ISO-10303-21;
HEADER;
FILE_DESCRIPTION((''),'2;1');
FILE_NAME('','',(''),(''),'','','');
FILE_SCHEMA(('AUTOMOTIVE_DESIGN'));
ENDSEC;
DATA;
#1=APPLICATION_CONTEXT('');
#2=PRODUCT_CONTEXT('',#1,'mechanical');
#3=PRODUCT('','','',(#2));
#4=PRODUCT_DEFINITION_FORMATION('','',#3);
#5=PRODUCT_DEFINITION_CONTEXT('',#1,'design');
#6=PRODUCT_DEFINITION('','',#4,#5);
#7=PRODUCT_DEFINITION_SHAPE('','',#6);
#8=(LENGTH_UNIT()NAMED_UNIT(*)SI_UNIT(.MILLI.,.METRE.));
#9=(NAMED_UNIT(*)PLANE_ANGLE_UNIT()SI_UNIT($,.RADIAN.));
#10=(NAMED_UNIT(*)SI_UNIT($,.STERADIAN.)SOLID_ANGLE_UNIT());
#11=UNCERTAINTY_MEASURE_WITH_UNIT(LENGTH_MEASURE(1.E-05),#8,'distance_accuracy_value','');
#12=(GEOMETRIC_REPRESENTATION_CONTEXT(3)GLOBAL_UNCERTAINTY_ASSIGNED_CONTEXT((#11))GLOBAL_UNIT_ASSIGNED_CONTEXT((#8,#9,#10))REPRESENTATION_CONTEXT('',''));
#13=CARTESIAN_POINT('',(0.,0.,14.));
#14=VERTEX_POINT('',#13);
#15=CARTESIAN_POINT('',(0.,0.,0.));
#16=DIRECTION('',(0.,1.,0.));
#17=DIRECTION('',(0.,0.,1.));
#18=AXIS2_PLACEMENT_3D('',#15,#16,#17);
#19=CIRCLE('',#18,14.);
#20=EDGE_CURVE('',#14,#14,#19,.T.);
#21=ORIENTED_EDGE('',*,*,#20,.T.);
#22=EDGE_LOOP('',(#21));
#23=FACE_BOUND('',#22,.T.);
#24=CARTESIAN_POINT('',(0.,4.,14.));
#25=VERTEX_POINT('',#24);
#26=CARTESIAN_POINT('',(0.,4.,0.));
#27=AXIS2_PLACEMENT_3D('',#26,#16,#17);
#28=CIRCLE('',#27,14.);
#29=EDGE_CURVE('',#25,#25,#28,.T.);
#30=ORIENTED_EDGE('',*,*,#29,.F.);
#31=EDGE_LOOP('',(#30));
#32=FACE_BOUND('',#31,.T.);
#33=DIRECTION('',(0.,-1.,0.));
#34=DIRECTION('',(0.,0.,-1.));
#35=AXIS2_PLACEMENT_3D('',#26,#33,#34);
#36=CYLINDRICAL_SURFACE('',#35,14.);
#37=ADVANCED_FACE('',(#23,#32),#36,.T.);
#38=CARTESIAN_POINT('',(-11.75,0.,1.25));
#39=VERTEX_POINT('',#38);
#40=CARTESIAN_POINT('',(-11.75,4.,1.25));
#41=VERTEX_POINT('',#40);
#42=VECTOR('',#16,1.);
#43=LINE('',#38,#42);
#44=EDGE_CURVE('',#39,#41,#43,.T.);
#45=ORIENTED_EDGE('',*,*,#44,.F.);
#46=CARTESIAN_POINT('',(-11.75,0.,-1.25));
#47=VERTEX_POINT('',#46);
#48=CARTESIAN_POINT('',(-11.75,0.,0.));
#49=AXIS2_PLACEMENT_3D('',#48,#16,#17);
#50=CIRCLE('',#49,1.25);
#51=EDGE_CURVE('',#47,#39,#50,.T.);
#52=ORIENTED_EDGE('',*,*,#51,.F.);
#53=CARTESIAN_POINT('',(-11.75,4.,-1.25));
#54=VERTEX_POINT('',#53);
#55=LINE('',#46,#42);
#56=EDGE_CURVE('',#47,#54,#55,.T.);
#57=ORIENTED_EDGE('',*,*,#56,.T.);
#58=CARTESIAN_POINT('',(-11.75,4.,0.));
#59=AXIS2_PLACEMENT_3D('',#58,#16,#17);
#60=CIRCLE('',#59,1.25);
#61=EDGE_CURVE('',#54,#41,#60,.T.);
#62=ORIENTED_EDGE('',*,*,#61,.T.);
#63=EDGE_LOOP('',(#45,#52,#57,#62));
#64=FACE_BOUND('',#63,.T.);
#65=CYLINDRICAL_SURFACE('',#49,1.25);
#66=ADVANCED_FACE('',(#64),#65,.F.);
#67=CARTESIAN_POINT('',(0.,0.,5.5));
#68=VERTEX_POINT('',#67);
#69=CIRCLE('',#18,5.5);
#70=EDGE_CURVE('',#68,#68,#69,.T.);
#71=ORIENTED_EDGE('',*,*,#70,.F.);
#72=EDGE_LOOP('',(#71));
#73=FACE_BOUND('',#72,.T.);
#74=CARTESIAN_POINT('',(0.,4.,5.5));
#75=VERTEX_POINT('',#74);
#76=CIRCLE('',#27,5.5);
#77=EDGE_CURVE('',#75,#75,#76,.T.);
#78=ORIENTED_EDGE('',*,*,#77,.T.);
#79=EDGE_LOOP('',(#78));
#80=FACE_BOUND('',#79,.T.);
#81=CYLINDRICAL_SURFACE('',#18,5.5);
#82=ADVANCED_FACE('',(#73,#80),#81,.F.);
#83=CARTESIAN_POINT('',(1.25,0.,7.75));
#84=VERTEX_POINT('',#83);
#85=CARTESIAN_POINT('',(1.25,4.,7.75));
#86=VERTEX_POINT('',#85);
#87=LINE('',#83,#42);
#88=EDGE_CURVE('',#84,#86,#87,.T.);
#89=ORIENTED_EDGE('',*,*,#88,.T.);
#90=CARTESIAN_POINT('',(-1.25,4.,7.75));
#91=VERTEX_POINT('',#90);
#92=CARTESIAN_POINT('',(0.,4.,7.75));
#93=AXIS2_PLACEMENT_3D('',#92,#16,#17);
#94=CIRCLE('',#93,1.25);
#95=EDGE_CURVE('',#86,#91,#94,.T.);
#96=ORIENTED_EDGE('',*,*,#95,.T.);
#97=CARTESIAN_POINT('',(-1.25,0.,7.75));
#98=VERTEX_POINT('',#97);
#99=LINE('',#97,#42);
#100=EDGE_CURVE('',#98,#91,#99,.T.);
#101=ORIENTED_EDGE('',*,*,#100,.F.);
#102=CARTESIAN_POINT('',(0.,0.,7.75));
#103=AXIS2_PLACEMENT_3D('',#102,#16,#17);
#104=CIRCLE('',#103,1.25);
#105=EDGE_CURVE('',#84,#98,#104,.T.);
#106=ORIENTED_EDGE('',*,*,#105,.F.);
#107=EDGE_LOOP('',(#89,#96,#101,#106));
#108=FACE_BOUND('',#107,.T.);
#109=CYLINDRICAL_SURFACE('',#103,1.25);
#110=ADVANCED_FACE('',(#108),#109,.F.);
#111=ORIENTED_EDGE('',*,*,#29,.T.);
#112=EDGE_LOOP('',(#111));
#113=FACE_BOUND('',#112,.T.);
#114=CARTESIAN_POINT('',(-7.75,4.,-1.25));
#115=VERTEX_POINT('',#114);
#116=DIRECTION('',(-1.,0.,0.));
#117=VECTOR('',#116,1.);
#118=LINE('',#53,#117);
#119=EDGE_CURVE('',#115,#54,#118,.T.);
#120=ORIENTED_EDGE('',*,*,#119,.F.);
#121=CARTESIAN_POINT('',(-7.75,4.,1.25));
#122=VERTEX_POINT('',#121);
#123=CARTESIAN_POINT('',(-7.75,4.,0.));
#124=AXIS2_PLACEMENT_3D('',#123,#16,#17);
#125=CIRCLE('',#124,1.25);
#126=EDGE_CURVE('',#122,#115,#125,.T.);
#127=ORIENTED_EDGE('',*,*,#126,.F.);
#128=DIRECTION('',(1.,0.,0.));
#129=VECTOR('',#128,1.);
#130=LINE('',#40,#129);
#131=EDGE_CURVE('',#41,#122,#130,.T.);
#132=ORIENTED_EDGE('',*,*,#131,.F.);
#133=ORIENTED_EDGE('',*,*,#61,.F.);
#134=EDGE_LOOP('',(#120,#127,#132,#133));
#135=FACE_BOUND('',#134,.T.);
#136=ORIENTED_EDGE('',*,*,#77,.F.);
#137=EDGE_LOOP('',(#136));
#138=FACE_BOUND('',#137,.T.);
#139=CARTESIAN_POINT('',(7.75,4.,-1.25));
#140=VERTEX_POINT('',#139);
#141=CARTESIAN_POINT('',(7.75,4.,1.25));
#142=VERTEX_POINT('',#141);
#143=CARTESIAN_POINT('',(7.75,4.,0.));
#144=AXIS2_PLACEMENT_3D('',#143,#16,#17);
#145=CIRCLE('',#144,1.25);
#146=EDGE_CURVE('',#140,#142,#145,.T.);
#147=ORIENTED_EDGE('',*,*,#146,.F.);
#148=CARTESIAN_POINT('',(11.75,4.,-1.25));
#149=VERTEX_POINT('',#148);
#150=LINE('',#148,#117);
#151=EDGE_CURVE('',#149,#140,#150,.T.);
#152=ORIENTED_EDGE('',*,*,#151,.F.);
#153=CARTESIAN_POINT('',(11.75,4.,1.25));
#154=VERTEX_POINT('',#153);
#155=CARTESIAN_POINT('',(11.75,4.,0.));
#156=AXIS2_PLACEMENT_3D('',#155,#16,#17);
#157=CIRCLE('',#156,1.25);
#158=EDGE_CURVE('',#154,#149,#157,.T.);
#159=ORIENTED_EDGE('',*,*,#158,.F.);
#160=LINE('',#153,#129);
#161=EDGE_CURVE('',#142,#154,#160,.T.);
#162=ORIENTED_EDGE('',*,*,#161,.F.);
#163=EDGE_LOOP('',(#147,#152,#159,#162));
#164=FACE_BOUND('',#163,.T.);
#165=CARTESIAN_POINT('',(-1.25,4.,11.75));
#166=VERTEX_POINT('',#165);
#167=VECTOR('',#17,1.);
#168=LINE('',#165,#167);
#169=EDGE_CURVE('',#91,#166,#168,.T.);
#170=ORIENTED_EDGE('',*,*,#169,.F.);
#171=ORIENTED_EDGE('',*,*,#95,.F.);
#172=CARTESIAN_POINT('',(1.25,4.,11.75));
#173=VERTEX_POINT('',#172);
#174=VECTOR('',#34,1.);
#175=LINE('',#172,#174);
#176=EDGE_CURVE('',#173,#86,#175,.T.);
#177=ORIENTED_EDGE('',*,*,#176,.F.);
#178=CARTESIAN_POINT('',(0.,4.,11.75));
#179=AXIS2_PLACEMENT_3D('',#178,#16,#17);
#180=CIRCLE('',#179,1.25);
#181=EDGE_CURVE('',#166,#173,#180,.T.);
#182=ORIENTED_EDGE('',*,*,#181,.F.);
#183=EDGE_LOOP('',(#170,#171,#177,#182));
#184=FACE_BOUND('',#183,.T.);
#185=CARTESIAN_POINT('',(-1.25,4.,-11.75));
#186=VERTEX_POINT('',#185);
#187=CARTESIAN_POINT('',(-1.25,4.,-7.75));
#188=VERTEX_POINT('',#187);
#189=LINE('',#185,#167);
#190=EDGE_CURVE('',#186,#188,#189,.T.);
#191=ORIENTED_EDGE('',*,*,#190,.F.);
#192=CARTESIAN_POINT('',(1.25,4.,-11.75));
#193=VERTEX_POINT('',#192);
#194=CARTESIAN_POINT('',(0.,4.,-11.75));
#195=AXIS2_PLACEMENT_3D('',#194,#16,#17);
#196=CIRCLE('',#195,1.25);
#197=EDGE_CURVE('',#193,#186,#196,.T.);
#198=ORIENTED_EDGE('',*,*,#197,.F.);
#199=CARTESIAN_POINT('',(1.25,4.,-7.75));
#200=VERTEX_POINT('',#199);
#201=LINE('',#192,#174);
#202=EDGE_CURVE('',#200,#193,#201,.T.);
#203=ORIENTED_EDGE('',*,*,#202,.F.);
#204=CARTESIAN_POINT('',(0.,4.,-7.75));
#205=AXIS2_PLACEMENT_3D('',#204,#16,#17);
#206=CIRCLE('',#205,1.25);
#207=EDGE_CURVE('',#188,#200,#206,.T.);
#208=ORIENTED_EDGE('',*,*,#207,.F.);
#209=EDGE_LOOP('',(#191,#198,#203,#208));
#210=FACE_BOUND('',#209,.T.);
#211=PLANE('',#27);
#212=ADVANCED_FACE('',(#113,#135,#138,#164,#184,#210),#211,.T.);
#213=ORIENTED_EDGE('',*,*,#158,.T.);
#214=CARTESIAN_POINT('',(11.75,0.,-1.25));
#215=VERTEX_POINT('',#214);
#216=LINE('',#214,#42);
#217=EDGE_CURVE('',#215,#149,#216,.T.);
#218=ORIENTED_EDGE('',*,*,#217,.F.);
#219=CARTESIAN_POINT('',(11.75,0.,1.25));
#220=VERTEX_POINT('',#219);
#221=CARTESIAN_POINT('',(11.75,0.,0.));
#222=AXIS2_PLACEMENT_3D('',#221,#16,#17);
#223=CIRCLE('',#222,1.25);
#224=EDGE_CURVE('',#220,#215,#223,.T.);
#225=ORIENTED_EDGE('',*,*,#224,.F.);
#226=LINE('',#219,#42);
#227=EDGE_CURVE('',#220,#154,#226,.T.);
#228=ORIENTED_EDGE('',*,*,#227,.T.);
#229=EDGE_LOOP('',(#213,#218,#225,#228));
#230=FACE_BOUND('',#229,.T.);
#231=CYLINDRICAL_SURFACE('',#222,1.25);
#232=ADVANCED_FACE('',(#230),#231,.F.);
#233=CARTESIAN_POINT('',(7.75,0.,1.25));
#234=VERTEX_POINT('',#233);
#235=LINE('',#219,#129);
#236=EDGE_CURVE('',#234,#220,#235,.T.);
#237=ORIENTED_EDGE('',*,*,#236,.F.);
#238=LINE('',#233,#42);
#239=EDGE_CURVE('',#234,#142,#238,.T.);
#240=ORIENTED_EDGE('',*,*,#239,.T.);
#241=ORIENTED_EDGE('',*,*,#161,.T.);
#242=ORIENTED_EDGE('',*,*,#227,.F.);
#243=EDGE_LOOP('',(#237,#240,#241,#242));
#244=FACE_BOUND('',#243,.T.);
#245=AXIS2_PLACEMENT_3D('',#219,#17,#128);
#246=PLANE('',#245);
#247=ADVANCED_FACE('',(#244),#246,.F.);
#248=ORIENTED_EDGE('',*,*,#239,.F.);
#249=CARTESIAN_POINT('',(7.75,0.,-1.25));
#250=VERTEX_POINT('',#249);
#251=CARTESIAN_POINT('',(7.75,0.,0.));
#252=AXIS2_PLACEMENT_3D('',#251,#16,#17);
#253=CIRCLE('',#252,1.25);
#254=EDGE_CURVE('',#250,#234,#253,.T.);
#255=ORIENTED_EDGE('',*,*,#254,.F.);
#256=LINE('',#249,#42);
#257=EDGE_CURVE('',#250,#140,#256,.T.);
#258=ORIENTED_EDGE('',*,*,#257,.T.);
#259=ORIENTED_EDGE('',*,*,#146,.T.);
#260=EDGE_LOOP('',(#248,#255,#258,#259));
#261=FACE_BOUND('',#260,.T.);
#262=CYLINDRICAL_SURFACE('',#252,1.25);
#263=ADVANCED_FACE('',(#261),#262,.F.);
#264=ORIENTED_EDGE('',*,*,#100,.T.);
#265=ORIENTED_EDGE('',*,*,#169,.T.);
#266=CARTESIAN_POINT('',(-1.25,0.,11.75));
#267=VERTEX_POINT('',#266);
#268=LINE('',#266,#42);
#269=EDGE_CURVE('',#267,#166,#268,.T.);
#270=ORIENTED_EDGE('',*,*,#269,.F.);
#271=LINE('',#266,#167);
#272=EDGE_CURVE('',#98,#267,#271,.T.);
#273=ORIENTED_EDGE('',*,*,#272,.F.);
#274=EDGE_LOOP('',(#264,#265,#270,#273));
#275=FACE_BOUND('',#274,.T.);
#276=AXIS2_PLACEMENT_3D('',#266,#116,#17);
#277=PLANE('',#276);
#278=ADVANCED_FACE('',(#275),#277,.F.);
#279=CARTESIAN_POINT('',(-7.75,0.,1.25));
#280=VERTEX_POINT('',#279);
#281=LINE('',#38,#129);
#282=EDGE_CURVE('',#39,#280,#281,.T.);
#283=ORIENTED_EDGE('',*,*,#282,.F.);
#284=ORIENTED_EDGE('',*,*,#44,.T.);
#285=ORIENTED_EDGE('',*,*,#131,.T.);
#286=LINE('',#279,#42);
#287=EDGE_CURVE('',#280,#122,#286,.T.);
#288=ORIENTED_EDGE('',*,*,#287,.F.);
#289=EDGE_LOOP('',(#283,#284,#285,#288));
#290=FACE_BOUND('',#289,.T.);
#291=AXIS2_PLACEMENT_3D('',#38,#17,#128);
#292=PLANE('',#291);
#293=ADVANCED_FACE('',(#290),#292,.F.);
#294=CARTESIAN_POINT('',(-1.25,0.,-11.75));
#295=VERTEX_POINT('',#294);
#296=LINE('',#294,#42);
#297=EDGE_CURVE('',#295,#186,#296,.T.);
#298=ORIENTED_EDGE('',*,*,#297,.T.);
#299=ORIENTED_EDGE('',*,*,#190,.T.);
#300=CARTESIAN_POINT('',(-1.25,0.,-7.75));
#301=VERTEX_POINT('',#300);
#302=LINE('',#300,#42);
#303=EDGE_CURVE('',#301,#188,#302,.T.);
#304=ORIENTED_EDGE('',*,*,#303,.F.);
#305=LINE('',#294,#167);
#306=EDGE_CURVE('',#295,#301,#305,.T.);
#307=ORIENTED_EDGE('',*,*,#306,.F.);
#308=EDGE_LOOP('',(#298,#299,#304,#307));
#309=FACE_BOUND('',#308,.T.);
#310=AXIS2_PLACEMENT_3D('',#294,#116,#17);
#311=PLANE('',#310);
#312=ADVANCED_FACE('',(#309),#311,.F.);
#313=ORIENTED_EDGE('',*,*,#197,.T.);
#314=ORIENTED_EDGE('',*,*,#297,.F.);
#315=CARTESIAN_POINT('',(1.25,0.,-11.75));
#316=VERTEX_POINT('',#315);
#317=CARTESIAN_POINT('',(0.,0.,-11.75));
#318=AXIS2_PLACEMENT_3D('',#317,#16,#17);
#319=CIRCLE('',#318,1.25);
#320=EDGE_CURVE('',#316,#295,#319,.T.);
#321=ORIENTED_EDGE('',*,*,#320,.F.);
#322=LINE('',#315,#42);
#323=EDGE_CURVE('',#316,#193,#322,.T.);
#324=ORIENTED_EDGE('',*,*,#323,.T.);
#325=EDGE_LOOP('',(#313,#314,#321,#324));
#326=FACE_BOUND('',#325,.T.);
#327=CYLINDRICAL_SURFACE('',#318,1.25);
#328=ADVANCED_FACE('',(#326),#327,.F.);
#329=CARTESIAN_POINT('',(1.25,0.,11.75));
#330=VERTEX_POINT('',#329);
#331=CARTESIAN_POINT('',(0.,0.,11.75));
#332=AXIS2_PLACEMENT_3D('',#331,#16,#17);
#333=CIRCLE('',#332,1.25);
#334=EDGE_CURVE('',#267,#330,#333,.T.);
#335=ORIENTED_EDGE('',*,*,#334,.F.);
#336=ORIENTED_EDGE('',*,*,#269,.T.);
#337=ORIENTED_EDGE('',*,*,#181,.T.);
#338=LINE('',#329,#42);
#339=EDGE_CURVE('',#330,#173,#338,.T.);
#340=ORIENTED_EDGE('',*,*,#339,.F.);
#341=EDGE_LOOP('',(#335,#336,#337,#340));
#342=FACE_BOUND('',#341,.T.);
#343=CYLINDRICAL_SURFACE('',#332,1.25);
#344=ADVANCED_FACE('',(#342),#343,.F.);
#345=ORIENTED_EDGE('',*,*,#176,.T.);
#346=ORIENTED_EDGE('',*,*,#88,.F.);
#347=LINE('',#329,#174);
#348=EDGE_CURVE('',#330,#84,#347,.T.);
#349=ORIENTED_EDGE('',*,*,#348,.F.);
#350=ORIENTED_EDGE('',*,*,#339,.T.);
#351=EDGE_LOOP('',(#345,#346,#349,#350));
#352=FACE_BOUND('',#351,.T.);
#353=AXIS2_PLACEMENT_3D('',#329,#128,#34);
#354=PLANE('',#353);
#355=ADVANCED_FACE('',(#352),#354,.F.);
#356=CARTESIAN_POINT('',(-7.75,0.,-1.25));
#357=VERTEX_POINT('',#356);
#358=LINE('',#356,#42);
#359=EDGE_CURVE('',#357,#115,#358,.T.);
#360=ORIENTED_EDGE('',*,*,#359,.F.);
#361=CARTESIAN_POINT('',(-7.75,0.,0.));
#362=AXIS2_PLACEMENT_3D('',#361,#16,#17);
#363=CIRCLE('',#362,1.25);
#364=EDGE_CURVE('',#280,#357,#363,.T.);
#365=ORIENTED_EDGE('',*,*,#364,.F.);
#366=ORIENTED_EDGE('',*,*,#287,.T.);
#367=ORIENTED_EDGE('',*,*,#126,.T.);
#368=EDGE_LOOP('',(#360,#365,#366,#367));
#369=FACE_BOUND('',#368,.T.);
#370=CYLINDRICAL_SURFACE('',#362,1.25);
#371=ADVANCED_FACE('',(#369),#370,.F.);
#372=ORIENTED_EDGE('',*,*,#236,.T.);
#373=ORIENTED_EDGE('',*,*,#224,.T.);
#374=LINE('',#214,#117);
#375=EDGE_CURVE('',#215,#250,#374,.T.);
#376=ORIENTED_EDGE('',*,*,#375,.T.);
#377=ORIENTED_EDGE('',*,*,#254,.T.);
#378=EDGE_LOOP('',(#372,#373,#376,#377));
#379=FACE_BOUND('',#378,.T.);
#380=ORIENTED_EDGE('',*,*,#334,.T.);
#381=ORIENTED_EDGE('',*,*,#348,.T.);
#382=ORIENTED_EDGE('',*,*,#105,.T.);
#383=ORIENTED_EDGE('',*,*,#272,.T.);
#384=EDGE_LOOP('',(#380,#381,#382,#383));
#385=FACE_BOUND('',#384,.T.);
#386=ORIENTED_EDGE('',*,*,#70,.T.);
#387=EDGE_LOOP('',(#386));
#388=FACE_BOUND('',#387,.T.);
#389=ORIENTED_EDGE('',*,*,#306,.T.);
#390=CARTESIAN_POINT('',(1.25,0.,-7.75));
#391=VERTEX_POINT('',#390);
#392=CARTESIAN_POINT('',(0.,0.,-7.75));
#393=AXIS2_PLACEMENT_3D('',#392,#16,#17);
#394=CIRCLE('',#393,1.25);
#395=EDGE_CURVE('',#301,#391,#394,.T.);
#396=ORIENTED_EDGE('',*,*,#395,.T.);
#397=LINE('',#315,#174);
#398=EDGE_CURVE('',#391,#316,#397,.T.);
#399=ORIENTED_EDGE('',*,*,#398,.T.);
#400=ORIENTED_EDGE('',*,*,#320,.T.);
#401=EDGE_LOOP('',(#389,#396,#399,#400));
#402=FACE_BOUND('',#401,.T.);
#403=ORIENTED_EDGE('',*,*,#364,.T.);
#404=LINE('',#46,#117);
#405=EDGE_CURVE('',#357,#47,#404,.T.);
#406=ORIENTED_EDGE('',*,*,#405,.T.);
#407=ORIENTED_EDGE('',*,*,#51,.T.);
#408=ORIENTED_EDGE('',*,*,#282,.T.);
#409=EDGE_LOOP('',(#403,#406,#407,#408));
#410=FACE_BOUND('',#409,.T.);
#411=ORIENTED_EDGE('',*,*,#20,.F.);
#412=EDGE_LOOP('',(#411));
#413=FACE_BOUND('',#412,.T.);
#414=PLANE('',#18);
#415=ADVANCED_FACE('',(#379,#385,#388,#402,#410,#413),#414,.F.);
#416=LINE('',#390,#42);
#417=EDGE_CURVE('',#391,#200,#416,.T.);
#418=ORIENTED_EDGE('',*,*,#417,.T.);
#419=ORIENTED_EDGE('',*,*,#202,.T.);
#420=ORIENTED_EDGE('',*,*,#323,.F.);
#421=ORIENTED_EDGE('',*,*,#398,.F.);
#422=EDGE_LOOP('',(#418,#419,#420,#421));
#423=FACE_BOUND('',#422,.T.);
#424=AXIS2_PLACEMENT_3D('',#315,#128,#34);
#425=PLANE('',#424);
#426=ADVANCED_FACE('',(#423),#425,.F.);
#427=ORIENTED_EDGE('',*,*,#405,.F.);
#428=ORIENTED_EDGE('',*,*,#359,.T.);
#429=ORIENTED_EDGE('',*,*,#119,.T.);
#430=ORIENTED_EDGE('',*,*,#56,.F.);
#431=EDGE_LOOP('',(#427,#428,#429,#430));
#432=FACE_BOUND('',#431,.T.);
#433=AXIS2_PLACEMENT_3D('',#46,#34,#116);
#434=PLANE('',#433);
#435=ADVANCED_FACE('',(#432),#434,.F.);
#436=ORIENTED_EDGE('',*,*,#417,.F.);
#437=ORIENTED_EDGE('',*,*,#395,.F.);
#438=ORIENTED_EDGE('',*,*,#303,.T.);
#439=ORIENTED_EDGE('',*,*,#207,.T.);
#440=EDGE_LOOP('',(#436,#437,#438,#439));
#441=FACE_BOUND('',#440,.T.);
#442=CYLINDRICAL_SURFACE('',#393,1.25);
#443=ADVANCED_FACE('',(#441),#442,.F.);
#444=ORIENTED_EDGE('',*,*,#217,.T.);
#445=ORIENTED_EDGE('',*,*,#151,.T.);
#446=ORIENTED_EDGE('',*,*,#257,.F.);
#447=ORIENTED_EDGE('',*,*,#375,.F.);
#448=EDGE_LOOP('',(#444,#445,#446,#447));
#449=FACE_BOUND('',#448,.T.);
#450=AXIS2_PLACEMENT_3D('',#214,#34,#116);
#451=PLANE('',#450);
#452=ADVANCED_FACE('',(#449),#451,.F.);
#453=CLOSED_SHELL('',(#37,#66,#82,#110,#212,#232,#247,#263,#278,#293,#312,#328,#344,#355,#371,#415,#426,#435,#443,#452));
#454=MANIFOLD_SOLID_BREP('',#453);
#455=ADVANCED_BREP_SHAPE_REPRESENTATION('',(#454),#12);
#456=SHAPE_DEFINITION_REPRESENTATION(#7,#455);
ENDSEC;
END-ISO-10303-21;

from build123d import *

# Parameters (mm, degrees)
SKETCH1_R           = 14
BOSS_EXTRUDE1_DEPTH = 4
SKETCH2_R           = 5.5
CUT_EXTRUDE1_DEPTH  = 21.199009877
CUT_EXTRUDE3_DEPTH  = 21.199009877


with BuildPart() as part:
    # Sketch1 → Boss-Extrude1 (new body)
    with BuildSketch(Plane(origin=(0, 0, 0), x_dir=(1, 0, 0), z_dir=(0, 1, 0))):
        with Locations(Location((0, 0, 0), (0, 0, 270))):
            Circle(SKETCH1_R)
    extrude(amount=BOSS_EXTRUDE1_DEPTH)

    # Sketch2 → Cut-Extrude1 (cut, through all)
    with BuildSketch(Plane(origin=(0, 4, 0), x_dir=(1, 0, 0), z_dir=(0, 1, 0))):
        with Locations(Location((0, 0, 0), (0, 0, 270))):
            Circle(SKETCH2_R)
    extrude(amount=-CUT_EXTRUDE1_DEPTH, mode=Mode.SUBTRACT)

    # Sketch3 → Cut-Extrude3 (cut, through all)
    with BuildSketch(Plane(origin=(0, 4, 0), x_dir=(1, 0, 0), z_dir=(0, 1, 0))):
        with BuildLine():
            Line((-11.75, 1.25), (-7.75, 1.25))
            ThreePointArc((-7.75, 1.25), (-6.5, 0), (-7.75, -1.25))
            Line((-7.75, -1.25), (-11.75, -1.25))
            ThreePointArc((-11.75, -1.25), (-13, 0), (-11.75, 1.25))
        make_face()
        with BuildLine():
            Line((-1.25, 11.75), (-1.25, 7.75))
            ThreePointArc((-1.25, 7.75), (0, 6.5), (1.25, 7.75))
            Line((1.25, 7.75), (1.25, 11.75))
            ThreePointArc((1.25, 11.75), (0, 13), (-1.25, 11.75))
        make_face()
        with BuildLine():
            Line((11.75, 1.25), (7.75, 1.25))
            ThreePointArc((7.75, 1.25), (6.5, 0), (7.75, -1.25))
            Line((7.75, -1.25), (11.75, -1.25))
            ThreePointArc((11.75, -1.25), (13, 0), (11.75, 1.25))
        make_face()
        with BuildLine():
            Line((1.25, -11.75), (1.25, -7.75))
            ThreePointArc((1.25, -7.75), (0, -6.5), (-1.25, -7.75))
            Line((-1.25, -7.75), (-1.25, -11.75))
            ThreePointArc((-1.25, -11.75), (0, -13), (1.25, -11.75))
        make_face()
    extrude(amount=-CUT_EXTRUDE3_DEPTH, mode=Mode.SUBTRACT)


solid = part.part
